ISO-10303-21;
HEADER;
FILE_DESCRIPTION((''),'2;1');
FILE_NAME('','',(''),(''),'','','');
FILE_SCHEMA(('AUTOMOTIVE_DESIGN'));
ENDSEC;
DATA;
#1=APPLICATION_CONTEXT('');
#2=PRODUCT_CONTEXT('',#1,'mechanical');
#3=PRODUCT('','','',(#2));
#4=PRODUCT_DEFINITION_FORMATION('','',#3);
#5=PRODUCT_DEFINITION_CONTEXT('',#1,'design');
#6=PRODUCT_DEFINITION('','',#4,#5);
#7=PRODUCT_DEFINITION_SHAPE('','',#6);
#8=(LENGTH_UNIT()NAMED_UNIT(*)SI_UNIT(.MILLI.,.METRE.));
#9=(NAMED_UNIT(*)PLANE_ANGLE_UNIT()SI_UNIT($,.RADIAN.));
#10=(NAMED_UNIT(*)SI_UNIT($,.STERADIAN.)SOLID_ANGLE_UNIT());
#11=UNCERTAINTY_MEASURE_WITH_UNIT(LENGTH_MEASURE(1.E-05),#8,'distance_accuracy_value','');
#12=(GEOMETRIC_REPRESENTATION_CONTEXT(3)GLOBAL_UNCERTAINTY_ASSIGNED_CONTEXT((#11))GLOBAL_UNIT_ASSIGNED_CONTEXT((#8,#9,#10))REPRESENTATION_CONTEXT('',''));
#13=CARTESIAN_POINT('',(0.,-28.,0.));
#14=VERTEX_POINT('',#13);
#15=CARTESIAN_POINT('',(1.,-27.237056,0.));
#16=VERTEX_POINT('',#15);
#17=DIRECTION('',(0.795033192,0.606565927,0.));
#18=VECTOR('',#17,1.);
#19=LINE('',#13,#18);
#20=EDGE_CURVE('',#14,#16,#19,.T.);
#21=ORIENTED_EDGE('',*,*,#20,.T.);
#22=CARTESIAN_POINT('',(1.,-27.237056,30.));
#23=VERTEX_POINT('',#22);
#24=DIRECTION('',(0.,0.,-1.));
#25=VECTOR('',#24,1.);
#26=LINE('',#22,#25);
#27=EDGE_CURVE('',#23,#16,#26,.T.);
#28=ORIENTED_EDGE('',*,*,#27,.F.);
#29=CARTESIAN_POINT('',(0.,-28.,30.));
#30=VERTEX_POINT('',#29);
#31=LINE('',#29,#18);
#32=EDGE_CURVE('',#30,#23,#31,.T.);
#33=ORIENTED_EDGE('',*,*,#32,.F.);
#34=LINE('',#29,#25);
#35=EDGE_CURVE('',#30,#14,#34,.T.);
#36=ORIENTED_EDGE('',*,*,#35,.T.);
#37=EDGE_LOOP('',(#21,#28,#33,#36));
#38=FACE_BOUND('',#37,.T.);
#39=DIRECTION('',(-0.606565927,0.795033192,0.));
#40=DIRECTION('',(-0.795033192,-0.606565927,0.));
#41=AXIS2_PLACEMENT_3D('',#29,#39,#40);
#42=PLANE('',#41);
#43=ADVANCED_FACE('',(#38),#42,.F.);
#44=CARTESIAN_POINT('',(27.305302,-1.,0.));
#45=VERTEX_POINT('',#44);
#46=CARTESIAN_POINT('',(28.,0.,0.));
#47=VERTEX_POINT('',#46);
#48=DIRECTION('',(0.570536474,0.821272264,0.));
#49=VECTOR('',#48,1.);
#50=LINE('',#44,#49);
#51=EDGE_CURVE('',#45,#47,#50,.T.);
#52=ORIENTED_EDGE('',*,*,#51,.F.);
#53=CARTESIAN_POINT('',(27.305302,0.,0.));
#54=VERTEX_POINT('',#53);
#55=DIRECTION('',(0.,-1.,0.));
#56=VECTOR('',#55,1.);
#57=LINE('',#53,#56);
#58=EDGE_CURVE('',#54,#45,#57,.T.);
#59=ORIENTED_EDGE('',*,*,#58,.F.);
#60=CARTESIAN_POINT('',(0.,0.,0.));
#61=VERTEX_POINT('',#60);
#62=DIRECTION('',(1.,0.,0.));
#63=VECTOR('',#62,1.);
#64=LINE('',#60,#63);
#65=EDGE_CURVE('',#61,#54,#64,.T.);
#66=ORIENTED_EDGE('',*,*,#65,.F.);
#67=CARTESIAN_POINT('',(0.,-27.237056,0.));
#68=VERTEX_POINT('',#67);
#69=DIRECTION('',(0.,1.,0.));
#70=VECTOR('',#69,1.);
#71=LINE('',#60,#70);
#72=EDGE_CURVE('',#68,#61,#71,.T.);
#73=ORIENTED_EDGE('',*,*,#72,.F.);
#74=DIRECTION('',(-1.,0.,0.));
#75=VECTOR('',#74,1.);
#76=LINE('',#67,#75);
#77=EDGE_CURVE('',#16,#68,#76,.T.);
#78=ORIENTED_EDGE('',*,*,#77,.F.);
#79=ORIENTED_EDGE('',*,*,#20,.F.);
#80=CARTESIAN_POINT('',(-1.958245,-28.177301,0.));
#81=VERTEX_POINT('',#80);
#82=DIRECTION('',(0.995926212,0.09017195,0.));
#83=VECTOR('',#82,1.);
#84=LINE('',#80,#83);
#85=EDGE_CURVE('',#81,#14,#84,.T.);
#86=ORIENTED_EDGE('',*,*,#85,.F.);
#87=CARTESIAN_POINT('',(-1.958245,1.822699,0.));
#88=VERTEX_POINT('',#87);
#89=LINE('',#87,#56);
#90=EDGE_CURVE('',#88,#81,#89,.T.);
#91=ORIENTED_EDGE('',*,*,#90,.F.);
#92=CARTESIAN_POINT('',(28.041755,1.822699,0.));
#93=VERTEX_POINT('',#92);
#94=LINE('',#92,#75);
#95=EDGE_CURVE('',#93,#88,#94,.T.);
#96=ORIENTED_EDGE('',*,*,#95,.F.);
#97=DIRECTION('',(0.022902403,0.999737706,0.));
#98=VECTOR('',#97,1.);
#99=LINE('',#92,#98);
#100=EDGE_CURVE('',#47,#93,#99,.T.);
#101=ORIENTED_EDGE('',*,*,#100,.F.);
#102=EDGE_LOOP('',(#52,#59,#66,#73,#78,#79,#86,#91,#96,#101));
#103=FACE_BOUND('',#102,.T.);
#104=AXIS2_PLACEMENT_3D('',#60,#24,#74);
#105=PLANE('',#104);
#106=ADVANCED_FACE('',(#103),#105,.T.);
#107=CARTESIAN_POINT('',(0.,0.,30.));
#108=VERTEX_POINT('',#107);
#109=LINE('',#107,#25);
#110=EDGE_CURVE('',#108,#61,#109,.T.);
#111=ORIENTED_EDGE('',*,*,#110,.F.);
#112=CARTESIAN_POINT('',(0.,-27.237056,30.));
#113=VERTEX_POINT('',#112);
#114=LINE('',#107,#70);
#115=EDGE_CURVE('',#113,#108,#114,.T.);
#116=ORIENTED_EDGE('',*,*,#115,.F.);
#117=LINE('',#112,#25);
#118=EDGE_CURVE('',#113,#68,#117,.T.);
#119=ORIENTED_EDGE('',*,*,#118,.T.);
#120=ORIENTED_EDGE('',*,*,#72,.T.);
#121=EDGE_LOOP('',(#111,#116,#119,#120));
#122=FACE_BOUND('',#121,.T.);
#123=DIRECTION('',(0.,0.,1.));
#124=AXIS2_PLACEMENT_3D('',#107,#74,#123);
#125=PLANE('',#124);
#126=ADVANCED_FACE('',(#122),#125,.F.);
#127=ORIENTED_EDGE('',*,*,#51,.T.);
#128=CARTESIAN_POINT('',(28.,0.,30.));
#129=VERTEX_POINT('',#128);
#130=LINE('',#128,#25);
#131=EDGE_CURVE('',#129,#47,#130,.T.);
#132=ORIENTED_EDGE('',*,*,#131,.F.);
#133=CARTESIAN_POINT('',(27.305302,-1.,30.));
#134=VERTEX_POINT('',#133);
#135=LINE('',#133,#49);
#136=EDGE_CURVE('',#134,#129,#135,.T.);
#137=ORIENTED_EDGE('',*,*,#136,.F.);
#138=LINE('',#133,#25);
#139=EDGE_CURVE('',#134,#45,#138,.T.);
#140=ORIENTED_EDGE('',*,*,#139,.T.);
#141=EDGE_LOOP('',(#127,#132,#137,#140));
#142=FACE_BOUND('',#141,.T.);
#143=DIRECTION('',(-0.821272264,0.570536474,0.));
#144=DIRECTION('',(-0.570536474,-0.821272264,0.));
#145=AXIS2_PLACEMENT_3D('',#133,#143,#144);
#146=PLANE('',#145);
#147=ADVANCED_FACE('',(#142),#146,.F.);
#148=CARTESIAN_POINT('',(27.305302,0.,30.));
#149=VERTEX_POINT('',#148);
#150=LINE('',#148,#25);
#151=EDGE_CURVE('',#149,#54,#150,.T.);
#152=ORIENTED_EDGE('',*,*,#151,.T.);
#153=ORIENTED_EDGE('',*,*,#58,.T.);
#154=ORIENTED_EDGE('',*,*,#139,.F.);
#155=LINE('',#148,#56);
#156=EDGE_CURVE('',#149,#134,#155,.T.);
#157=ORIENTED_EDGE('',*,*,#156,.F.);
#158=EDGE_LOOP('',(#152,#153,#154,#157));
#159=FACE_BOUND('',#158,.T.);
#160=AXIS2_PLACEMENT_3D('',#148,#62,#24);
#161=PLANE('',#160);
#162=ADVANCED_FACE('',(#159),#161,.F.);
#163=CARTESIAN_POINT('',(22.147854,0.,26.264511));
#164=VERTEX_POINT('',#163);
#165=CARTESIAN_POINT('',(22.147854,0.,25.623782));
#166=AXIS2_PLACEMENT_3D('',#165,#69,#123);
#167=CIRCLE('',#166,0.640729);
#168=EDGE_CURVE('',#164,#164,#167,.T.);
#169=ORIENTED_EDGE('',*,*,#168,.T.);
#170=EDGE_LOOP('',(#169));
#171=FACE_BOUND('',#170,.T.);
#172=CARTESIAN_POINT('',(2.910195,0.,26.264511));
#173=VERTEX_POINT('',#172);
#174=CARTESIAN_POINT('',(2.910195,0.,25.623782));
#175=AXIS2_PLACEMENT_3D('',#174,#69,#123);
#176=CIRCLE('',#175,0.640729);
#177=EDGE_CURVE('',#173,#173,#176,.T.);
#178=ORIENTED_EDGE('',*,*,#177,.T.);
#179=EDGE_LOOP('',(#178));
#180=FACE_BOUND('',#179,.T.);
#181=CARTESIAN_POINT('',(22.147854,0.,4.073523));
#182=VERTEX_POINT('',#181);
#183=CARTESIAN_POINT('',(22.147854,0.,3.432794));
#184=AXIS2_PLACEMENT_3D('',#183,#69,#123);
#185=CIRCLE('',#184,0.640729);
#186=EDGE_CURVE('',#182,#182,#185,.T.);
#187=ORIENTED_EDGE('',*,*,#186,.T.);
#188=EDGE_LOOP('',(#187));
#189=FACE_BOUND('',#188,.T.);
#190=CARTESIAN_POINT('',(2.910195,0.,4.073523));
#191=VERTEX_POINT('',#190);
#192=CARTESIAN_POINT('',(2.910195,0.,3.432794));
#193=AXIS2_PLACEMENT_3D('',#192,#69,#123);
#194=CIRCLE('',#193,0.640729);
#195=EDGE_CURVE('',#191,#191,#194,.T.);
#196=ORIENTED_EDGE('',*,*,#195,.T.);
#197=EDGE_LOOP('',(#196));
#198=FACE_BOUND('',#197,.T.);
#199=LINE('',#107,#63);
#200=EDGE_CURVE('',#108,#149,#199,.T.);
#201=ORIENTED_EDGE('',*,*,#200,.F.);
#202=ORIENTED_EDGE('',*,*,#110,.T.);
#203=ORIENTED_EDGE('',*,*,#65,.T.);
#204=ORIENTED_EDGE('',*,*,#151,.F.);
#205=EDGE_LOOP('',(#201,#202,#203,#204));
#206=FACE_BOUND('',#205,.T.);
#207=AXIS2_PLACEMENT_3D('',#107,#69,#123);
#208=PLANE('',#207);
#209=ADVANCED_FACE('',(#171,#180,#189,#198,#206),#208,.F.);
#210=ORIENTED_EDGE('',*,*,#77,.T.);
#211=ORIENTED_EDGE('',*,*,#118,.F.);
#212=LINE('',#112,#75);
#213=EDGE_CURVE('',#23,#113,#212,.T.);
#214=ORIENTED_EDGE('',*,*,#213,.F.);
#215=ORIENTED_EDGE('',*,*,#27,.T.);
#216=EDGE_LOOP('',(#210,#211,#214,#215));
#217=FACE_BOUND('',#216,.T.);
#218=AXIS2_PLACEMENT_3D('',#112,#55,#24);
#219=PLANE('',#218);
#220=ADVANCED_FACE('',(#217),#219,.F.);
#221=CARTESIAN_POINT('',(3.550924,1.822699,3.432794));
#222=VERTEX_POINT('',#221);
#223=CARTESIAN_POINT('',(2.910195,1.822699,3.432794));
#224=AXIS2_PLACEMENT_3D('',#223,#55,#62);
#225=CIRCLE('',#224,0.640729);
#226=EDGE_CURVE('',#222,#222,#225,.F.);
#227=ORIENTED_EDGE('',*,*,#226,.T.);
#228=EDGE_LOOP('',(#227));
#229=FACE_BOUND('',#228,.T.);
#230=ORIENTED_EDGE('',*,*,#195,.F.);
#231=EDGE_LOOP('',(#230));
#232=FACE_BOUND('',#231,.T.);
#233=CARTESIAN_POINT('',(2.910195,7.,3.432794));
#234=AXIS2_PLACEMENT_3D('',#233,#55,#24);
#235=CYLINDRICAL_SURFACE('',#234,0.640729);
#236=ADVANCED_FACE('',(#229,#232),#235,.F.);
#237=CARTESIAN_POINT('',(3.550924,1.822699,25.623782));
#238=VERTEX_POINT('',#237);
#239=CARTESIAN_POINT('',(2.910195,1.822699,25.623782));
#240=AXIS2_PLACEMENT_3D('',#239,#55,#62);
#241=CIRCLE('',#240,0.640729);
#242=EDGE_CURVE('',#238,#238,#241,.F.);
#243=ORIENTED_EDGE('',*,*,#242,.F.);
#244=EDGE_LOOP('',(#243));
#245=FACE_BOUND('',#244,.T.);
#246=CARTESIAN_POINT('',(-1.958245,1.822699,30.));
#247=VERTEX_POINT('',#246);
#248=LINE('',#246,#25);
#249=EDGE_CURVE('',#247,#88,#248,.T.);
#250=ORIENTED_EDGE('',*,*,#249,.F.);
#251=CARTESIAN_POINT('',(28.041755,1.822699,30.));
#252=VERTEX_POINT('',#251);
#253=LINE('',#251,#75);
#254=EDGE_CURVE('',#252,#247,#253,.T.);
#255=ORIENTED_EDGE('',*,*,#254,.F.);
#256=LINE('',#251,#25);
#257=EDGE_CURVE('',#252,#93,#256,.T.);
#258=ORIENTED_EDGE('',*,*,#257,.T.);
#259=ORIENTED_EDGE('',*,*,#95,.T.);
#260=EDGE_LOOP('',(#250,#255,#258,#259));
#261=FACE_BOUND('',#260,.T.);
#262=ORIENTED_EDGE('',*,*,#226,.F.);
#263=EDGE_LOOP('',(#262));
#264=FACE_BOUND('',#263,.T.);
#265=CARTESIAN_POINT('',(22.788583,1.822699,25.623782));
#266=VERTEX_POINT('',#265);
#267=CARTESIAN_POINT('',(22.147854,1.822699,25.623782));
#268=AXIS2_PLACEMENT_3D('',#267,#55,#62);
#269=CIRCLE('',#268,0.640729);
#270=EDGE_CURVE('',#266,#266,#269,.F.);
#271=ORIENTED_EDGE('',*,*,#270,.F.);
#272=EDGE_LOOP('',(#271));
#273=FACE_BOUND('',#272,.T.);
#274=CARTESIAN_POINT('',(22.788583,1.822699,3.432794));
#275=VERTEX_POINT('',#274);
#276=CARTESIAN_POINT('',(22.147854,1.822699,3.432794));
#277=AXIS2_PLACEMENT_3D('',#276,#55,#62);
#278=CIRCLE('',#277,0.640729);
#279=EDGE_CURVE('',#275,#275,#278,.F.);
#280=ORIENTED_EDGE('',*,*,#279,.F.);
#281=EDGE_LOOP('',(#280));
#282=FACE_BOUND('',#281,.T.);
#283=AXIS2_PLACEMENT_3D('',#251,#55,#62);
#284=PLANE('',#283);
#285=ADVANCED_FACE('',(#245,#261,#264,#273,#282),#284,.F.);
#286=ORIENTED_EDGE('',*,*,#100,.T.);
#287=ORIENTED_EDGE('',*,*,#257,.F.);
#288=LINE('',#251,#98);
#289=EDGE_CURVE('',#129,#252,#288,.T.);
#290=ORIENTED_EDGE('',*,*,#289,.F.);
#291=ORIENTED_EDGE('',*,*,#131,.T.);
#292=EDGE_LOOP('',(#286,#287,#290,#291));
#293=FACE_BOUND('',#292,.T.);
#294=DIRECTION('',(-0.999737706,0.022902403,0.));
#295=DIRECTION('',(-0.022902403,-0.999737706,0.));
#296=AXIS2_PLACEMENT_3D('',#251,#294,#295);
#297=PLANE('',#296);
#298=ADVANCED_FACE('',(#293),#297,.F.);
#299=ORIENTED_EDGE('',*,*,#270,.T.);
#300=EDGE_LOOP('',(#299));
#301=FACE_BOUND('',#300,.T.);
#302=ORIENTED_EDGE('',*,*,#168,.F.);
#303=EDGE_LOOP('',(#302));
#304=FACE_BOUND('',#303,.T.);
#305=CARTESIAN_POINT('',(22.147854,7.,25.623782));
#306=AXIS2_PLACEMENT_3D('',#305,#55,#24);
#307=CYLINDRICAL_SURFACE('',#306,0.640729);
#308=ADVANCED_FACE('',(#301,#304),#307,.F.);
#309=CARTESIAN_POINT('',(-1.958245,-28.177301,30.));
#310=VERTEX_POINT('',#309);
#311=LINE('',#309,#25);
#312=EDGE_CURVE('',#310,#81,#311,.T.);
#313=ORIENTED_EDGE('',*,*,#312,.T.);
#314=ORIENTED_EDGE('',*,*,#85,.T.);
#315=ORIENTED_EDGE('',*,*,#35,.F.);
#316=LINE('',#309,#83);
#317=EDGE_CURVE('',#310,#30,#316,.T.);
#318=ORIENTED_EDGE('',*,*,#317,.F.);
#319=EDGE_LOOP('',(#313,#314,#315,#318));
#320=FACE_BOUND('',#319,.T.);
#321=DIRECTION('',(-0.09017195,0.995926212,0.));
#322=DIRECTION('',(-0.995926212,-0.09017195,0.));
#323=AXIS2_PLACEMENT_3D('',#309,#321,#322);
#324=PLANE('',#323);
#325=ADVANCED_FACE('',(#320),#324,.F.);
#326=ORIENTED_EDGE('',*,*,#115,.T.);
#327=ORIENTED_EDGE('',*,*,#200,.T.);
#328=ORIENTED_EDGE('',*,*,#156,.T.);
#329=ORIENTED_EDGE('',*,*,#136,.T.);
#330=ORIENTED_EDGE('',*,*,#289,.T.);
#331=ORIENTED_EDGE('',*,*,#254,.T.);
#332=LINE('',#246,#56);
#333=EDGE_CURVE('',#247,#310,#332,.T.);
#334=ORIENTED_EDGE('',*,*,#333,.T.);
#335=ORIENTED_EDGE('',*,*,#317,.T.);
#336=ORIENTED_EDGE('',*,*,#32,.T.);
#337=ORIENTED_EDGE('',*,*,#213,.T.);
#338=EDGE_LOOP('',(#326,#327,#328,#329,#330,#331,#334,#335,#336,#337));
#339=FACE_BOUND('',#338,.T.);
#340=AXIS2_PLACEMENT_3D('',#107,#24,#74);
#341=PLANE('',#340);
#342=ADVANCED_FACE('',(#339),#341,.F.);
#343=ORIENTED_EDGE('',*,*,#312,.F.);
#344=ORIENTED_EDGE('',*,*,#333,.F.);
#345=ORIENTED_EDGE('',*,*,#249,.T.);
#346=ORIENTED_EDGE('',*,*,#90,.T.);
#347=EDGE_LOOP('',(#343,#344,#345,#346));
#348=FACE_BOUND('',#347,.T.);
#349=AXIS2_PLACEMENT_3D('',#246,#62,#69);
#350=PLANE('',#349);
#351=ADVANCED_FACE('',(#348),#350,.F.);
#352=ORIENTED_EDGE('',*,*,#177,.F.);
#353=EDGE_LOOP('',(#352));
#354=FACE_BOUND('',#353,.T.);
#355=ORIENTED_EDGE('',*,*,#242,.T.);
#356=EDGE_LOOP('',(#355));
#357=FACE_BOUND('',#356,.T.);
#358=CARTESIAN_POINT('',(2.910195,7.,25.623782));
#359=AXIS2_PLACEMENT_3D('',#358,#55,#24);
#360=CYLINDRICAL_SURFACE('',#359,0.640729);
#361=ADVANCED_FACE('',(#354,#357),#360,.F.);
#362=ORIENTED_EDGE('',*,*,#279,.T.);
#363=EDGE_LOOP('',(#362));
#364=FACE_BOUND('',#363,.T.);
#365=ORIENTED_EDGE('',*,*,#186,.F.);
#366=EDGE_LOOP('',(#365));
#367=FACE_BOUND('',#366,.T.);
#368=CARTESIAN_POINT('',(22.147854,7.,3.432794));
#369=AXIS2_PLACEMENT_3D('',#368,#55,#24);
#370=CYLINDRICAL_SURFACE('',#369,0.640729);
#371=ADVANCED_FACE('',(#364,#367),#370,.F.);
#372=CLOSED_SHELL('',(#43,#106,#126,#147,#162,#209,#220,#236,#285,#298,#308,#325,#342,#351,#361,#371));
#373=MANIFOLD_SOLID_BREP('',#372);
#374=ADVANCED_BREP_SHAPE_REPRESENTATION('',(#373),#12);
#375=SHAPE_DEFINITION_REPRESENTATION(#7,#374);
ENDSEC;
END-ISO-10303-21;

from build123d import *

# Parameters (mm, degrees)
EXTRUDE_1_DEPTH     = 30
SKETCH_2_R          = 0.64072886
CUT_EXTRUDE_2_DEPTH = 7


with BuildPart() as part:
    # 草图1 → 凸台-拉伸1 (new body)
    with BuildSketch(Plane.XY):
        Polygon((28.041755138, 1.822698956), (-1.958244862, 1.822698956), (-1.958244862, -28.177301044), (0, -28), (1, -27.237055845), (0, -27.237055845), (0, 0), (27.305301665, 0), (27.305301665, -1), (28, 0), align=None)
    extrude(amount=EXTRUDE_1_DEPTH)

    # 草图2 → 切除-拉伸2 (cut)
    with BuildSketch(Plane(origin=(0, 0, 0), x_dir=(1, 0, 0), z_dir=(0, 1, 0))):
        with Locations((2.910195006, -3.432793696)):
            Circle(SKETCH_2_R)
        with Locations((2.910195006, -25.623781676)):
            Circle(SKETCH_2_R)
        with Locations((22.147853718, -3.432793696)):
            Circle(SKETCH_2_R)
        with Locations((22.147853718, -25.623781676)):
            Circle(SKETCH_2_R)
    extrude(amount=CUT_EXTRUDE_2_DEPTH, mode=Mode.SUBTRACT)


solid = part.part
